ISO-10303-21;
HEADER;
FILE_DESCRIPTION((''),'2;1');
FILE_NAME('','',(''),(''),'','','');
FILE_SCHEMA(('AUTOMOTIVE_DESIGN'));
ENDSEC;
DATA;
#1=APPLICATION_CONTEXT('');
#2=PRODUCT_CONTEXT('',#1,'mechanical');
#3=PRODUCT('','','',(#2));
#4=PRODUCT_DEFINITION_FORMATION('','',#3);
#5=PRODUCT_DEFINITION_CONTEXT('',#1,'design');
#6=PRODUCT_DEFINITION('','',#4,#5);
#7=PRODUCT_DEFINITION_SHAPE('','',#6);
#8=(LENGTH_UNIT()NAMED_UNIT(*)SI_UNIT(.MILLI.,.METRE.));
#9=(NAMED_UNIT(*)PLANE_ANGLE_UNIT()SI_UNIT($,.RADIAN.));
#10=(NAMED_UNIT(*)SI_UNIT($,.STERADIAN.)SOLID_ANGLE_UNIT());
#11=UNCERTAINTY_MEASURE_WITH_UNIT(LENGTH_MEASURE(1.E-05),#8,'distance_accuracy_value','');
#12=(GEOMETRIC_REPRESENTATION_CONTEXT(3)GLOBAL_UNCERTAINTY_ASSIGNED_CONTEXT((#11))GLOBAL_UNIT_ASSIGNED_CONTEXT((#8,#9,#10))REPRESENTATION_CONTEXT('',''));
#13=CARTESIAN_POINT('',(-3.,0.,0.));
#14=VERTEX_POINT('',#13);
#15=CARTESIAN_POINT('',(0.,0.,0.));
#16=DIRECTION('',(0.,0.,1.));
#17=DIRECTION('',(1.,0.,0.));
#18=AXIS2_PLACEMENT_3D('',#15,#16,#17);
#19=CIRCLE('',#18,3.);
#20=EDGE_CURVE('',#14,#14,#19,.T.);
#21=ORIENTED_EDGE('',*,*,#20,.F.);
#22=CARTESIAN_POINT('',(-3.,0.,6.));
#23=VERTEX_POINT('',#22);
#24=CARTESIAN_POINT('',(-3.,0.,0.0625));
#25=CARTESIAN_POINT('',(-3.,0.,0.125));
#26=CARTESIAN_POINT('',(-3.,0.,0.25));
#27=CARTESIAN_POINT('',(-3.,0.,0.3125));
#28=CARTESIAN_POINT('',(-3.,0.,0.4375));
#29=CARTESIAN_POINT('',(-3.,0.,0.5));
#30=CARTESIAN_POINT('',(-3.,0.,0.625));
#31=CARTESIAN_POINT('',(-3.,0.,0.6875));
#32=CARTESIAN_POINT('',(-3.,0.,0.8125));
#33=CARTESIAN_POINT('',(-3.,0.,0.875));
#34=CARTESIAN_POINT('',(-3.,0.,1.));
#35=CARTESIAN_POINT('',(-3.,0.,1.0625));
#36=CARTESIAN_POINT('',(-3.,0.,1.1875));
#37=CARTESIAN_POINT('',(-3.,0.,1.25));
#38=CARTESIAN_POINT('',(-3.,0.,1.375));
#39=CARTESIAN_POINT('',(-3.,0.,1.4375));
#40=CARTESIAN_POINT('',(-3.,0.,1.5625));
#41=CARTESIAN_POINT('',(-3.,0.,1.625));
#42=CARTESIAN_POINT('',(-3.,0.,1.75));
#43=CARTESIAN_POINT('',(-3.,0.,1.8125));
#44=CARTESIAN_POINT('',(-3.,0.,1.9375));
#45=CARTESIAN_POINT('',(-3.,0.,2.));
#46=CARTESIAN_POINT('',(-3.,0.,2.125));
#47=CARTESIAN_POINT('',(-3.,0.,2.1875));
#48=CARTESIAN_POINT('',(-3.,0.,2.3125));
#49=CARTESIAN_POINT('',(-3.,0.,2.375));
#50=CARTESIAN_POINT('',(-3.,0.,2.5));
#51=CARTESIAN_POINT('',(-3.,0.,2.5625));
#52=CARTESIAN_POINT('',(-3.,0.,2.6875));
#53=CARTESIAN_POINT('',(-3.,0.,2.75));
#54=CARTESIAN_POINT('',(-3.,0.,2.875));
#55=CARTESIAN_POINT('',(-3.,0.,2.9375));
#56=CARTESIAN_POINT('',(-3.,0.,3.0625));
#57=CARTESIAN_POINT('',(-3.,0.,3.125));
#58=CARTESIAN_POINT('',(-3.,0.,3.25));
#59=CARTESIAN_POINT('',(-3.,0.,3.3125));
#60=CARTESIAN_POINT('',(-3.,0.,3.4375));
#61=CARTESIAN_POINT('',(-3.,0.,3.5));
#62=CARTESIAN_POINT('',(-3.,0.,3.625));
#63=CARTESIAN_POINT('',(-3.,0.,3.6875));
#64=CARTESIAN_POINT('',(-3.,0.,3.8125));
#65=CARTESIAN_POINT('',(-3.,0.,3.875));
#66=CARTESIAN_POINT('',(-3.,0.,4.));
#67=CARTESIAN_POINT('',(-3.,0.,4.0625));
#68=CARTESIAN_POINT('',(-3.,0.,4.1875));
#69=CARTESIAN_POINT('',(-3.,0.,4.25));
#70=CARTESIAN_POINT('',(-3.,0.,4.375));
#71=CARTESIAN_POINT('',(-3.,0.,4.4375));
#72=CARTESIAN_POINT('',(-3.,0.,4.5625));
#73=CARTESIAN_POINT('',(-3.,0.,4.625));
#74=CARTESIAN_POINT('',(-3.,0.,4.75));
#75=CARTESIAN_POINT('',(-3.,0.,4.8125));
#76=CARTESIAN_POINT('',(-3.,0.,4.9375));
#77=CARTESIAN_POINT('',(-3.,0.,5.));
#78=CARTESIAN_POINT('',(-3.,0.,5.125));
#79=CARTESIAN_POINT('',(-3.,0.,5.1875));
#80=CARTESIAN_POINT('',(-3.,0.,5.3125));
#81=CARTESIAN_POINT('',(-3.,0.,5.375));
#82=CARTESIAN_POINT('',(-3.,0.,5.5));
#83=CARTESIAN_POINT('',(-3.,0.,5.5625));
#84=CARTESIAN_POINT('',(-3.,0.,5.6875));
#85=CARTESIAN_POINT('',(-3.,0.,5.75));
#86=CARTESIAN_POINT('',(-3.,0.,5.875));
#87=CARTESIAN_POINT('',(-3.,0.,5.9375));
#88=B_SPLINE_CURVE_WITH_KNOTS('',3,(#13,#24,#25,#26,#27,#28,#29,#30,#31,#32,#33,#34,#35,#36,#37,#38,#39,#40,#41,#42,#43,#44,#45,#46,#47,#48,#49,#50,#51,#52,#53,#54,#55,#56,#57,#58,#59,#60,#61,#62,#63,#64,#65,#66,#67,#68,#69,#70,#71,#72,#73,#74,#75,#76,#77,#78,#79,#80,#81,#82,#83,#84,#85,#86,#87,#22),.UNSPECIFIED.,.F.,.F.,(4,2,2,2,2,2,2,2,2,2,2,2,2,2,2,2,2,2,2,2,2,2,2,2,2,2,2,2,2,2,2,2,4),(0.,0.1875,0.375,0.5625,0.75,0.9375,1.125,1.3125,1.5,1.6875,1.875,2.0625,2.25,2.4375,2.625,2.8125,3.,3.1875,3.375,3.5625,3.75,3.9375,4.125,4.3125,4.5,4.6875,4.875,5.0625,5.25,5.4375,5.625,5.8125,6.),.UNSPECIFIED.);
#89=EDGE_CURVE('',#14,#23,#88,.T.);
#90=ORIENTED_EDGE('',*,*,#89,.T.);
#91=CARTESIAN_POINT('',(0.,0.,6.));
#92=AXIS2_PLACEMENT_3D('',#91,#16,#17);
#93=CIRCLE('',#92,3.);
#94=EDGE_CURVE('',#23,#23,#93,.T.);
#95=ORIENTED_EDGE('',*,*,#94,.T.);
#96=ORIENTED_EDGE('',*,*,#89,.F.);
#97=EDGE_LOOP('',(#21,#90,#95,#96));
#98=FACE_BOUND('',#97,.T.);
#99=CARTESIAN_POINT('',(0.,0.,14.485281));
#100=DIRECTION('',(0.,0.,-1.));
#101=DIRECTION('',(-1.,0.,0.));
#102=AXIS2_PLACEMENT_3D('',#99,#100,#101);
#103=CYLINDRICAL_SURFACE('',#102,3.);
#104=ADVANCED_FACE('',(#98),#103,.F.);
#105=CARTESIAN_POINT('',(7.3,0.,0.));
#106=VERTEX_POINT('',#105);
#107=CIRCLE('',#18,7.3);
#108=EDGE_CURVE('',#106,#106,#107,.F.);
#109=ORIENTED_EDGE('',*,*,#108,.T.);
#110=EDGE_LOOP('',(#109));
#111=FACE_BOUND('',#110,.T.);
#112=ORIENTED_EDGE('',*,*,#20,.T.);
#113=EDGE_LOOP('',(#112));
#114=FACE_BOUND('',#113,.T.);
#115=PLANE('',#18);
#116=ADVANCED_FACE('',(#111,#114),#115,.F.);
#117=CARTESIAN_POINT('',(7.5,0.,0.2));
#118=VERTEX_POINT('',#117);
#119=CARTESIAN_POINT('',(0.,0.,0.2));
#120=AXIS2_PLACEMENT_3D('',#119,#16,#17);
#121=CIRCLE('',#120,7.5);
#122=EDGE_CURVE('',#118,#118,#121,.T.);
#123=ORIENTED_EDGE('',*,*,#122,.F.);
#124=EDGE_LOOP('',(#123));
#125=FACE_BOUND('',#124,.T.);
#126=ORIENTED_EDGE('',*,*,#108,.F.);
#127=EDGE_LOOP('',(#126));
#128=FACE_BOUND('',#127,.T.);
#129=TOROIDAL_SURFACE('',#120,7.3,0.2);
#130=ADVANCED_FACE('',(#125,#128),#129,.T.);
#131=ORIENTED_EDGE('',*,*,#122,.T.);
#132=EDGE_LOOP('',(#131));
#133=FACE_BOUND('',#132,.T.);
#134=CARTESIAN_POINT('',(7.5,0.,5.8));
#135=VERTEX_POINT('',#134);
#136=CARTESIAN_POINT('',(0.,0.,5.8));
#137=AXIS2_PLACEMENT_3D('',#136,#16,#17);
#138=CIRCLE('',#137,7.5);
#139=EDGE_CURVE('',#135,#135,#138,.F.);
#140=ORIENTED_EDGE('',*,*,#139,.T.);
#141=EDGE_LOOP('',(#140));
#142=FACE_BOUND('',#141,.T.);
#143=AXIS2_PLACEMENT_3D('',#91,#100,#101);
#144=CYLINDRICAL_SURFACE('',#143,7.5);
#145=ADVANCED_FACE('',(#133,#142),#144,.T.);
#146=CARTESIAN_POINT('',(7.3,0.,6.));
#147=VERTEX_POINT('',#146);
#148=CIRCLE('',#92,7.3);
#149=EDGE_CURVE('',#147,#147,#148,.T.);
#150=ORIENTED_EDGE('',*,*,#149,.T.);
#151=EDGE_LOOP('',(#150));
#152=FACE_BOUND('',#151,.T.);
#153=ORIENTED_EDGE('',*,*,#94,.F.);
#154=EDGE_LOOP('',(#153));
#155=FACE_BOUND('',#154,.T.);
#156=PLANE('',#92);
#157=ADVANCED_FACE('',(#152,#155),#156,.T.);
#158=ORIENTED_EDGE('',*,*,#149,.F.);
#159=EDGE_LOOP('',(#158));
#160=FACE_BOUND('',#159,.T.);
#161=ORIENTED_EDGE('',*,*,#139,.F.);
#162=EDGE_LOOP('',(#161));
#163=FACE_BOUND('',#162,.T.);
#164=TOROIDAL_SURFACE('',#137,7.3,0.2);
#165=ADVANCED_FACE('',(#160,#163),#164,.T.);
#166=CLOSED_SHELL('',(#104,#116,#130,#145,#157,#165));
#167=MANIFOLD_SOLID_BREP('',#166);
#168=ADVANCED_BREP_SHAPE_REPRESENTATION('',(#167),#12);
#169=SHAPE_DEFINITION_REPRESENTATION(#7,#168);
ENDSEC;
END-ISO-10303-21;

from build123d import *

# Parameters (mm, degrees)
SKETCH1_R           = 7.5
BOSS_EXTRUDE1_DEPTH = 6
SKETCH2_R           = 3
CUT_EXTRUDE1_DEPTH  = 6
FILLET1_R           = 0.2


with BuildPart() as part:
    # Sketch1 → Boss-Extrude1 (new body)
    with BuildSketch(Plane.XY):
        Circle(SKETCH1_R)
    extrude(amount=BOSS_EXTRUDE1_DEPTH)

    # Sketch2 → Cut-Extrude1 (cut)
    with BuildSketch(Plane.XY):
        with Locations(Location((0, 0, 0), (0, 0, 180))):
            Circle(SKETCH2_R)
    extrude(amount=CUT_EXTRUDE1_DEPTH, mode=Mode.SUBTRACT)

    # Fillet1
    fillet1_edges = [part.edges().sort_by_distance(p)[0] for p in [
        (-7.5, 0, 0),
        (-7.5, 0, 6),
    ]]
    fillet(fillet1_edges, radius=FILLET1_R)


solid = part.part
